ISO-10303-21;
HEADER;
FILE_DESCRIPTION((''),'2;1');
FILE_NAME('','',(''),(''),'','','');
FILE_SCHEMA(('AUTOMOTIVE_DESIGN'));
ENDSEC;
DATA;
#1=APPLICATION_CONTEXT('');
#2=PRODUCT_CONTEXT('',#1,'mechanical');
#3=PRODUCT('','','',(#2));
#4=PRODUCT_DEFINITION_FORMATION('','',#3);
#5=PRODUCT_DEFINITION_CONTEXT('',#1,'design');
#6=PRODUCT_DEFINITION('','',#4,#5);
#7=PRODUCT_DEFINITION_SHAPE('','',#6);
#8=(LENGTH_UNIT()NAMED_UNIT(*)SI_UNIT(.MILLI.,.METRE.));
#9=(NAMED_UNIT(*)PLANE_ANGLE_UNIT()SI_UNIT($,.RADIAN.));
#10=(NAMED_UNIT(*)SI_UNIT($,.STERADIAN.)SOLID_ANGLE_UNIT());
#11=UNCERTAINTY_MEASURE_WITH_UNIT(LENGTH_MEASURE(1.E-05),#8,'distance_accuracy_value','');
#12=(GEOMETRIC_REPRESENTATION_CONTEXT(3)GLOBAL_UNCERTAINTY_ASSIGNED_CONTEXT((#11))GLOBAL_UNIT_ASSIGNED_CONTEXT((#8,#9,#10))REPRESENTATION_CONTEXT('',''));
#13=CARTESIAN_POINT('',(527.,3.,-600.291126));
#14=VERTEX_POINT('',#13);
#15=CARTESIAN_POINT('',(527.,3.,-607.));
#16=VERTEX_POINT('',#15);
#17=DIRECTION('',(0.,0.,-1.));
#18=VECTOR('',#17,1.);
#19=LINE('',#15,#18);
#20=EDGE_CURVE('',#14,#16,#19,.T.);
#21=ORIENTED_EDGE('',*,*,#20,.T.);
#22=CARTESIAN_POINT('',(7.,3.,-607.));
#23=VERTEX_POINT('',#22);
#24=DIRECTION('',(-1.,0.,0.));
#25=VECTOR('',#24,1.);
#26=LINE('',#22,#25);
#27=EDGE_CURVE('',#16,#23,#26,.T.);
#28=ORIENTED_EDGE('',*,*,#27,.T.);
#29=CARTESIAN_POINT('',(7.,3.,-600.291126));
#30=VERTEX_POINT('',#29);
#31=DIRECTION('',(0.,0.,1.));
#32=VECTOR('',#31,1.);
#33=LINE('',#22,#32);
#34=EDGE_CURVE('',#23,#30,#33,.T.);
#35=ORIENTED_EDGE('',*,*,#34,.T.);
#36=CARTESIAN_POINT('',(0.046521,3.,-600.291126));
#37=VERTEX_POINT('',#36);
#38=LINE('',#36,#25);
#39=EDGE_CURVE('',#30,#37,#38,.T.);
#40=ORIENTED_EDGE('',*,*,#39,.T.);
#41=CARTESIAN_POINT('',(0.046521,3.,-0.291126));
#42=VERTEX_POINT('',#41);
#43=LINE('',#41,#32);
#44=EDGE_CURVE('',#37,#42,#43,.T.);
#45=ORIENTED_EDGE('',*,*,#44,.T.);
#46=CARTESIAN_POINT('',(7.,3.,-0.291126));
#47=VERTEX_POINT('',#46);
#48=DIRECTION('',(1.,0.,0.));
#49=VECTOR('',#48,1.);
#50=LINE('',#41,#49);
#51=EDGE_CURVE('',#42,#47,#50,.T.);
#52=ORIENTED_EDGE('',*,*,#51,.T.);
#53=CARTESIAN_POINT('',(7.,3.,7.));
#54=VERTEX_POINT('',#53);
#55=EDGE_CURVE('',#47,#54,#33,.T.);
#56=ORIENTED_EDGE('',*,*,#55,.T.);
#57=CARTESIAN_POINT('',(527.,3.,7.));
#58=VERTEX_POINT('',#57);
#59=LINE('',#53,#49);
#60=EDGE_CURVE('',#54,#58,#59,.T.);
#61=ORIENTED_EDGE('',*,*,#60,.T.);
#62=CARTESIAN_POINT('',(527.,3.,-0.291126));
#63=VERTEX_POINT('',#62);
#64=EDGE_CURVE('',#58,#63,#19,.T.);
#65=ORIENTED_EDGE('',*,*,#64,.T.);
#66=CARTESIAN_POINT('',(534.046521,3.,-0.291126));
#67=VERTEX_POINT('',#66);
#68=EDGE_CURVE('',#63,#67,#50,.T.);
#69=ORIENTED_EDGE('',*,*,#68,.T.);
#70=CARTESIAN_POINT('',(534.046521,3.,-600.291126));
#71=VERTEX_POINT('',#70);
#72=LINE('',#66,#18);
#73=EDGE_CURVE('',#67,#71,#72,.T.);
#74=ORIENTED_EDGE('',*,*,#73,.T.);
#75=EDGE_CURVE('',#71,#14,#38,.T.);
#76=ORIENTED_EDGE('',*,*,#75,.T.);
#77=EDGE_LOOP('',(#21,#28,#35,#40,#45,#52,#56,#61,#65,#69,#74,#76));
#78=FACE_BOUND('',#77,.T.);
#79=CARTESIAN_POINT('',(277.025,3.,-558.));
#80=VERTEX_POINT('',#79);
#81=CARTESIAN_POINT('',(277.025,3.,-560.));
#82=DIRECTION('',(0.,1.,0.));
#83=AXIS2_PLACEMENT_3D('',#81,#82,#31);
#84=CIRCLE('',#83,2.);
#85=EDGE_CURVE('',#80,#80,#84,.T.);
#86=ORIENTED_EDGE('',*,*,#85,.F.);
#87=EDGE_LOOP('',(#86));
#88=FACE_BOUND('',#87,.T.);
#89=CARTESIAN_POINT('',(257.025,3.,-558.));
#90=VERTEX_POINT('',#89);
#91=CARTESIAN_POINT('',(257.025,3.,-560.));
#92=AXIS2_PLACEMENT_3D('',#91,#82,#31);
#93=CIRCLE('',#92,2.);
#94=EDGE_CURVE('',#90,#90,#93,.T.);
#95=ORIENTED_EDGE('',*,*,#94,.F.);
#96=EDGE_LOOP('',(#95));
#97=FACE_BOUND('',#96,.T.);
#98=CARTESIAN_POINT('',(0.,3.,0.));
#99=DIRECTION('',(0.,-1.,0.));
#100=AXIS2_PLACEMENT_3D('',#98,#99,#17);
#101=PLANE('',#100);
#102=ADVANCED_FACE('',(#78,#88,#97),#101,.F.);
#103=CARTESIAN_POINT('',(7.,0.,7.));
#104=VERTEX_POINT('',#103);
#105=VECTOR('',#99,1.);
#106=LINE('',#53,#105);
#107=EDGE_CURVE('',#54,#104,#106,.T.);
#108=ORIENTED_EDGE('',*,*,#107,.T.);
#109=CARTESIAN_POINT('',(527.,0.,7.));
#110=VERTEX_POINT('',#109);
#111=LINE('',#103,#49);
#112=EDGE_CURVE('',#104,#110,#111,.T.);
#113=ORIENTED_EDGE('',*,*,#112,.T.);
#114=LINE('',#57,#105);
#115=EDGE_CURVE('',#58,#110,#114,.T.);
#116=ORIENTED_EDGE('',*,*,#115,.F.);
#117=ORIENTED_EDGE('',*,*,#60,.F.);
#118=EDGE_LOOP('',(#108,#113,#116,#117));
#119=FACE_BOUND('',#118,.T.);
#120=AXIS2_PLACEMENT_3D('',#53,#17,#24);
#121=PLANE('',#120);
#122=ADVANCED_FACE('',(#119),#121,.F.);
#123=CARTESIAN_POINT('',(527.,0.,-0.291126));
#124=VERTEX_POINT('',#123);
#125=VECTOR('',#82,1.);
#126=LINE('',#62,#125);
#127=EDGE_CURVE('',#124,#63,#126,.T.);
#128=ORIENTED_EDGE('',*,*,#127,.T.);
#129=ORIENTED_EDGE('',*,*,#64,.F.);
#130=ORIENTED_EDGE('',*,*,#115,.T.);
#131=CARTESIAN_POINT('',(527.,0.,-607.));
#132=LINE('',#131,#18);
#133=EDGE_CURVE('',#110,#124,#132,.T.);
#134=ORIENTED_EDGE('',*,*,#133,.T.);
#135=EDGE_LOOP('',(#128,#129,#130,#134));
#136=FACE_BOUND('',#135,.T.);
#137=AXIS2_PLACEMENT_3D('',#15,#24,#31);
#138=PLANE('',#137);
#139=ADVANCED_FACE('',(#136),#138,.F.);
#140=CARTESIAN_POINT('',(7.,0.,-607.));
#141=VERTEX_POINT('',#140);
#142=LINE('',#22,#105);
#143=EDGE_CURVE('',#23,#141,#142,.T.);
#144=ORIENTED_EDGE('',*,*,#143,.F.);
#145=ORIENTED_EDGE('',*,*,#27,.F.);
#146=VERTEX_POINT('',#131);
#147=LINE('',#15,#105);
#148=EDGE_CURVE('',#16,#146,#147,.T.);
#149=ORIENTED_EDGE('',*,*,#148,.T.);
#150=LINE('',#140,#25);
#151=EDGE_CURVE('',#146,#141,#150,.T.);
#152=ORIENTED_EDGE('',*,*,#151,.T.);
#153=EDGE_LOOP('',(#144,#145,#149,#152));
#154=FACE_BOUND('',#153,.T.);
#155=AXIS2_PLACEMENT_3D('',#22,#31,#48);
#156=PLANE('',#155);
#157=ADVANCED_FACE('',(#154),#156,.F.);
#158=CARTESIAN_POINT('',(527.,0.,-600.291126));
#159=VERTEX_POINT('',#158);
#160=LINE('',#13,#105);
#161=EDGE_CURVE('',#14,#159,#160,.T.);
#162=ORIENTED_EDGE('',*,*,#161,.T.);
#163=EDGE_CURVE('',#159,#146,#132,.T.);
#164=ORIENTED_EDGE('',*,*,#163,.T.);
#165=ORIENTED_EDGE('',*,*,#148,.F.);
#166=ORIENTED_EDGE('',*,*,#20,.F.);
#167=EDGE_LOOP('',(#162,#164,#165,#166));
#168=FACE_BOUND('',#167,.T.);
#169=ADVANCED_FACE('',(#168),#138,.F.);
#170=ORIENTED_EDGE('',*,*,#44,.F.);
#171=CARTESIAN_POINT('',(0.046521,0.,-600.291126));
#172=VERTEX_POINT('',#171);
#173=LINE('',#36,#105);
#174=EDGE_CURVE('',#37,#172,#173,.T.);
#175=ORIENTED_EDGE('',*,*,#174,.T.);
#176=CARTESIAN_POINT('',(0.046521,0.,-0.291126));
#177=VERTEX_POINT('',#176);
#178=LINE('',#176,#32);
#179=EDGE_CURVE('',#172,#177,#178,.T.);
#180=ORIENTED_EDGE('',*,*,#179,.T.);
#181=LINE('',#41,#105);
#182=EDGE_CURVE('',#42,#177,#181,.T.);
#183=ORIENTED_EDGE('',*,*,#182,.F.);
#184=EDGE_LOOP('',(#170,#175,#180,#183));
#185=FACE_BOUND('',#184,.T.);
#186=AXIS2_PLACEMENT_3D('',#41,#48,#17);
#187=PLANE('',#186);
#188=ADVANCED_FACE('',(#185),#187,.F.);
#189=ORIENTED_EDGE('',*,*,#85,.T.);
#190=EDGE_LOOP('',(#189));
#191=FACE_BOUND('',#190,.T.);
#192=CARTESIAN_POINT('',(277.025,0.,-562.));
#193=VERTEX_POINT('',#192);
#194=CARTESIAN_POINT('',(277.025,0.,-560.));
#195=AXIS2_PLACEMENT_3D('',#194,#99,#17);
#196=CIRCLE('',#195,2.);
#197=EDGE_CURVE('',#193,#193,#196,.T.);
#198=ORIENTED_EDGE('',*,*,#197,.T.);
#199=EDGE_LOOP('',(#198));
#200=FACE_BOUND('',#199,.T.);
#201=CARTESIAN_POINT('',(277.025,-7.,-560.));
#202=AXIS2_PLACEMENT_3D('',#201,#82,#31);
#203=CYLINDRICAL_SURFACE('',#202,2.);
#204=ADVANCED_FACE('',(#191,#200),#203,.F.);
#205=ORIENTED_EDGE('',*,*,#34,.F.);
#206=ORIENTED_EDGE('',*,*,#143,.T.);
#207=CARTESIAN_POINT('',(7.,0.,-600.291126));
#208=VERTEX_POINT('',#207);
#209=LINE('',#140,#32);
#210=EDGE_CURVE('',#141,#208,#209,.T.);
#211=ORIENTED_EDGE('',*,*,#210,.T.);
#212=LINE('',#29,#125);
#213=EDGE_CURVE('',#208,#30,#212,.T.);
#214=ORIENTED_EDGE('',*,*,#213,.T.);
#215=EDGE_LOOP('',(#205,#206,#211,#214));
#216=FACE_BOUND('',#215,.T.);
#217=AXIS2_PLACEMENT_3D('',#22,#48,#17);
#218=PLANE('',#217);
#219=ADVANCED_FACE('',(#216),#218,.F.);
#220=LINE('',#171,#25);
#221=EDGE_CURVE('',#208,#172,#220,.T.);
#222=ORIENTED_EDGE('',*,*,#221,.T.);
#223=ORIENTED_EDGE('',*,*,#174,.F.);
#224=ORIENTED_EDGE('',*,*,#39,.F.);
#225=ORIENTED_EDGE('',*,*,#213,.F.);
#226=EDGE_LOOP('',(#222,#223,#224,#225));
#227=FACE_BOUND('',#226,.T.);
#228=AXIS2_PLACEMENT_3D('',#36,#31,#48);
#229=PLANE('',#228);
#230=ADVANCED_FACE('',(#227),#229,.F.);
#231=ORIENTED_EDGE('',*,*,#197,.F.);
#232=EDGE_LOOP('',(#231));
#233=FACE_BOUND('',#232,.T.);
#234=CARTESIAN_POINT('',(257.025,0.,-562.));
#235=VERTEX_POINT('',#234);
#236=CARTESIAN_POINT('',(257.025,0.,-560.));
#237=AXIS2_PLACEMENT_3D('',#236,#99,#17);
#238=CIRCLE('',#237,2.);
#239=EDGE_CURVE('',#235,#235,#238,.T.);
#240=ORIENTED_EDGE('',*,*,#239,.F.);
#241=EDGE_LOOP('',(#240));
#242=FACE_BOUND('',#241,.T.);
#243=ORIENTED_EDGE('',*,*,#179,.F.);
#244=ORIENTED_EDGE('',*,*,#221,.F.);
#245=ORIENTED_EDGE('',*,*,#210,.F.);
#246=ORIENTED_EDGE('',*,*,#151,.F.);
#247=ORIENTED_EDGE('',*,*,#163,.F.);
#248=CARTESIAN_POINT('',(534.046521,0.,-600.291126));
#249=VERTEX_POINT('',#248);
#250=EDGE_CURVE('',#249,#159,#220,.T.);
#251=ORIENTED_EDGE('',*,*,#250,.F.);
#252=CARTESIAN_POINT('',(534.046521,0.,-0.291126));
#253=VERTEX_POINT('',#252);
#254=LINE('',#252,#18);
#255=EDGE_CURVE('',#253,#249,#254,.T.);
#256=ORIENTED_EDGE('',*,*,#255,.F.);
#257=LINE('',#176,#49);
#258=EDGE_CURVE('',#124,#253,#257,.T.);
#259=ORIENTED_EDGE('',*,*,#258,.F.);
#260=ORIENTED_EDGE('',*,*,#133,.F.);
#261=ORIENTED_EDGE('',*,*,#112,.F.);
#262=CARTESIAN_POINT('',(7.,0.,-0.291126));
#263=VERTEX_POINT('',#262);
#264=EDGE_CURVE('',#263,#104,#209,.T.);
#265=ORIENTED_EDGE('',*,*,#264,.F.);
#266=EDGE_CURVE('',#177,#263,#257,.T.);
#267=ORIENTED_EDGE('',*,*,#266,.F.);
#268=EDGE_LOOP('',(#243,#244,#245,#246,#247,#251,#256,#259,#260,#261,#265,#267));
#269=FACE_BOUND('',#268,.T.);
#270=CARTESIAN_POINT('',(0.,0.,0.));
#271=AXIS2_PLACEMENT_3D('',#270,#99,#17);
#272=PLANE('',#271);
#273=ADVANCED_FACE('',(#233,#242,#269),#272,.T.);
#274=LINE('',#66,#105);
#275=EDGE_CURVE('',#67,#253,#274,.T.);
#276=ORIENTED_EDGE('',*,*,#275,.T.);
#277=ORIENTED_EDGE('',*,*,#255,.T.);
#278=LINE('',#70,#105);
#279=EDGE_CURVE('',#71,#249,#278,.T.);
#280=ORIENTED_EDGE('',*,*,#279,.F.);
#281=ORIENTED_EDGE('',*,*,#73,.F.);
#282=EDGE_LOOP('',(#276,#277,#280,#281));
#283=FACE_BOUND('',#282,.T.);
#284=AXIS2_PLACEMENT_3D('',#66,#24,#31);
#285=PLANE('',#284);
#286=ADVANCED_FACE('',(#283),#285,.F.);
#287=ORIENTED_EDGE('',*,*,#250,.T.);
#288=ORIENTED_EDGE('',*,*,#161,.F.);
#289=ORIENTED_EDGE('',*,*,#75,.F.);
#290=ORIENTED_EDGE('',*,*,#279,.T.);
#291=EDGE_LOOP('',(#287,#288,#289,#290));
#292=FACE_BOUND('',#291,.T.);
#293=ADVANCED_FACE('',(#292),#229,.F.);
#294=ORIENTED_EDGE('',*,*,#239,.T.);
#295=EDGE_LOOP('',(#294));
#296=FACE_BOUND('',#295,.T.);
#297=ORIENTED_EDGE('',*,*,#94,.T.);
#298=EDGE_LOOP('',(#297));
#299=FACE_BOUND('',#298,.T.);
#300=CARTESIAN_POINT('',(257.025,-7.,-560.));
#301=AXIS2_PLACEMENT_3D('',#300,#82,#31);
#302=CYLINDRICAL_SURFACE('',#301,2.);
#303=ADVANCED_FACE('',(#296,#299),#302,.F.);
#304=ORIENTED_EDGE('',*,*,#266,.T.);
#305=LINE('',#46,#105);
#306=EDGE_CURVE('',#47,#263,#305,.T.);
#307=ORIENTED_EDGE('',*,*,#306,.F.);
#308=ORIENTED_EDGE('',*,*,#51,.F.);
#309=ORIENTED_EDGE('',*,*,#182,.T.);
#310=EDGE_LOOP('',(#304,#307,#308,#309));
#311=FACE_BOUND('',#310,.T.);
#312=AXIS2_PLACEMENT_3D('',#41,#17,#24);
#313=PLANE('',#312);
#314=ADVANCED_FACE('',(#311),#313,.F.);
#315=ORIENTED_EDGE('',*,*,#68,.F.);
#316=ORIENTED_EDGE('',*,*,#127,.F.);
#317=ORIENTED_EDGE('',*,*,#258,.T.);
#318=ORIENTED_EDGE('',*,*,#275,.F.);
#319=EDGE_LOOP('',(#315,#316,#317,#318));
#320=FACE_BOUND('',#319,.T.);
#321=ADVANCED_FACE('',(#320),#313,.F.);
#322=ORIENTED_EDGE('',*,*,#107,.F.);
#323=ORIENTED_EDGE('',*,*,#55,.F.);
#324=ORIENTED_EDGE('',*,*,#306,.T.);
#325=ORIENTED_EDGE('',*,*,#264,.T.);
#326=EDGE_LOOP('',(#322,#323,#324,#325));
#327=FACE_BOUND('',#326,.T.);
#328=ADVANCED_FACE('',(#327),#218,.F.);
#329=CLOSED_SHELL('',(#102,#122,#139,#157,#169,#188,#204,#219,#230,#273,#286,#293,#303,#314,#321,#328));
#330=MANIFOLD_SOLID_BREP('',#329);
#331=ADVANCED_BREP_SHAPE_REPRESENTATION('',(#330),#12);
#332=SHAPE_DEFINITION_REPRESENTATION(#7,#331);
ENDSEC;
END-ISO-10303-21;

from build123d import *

# Parameters (mm, degrees)
SKETCH1_W           = 534
SKETCH1_H           = 600
BOSS_EXTRUDE1_DEPTH = 3
SKETCH3_W           = 520
SKETCH3_H           = 614
BOSS_EXTRUDE2_DEPTH = 3
SKETCH4_R           = 2
CUT_EXTRUDE2_DEPTH  = 10


with BuildPart() as part:
    # Sketch1 → Boss-Extrude1 (new body)
    with BuildSketch(Plane(origin=(0, 0, 0), x_dir=(1, 0, 0), z_dir=(0, 1, 0))):
        with Locations((267.046520854, 300.291126183)):
            Rectangle(SKETCH1_W, SKETCH1_H)
    extrude(amount=BOSS_EXTRUDE1_DEPTH)

    # Sketch3 → Boss-Extrude2 (add)
    with BuildSketch(Plane(origin=(0, 0, 0), x_dir=(1, 0, 0), z_dir=(0, 1, 0))):
        with Locations((267, 300)):
            Rectangle(SKETCH3_W, SKETCH3_H)
    extrude(amount=BOSS_EXTRUDE2_DEPTH)

    # Sketch4 → Cut-Extrude2 (cut)
    with BuildSketch(Plane(origin=(0, 3, 0), x_dir=(1, 0, 0), z_dir=(0, 1, 0))):
        with Locations(Location((257.025, 560, 0), (0, 0, 270))):
            Circle(SKETCH4_R)
        with Locations(Location((277.025, 560, 0), (0, 0, 270))):
            Circle(SKETCH4_R)
    extrude(amount=-CUT_EXTRUDE2_DEPTH, mode=Mode.SUBTRACT)


solid = part.part
